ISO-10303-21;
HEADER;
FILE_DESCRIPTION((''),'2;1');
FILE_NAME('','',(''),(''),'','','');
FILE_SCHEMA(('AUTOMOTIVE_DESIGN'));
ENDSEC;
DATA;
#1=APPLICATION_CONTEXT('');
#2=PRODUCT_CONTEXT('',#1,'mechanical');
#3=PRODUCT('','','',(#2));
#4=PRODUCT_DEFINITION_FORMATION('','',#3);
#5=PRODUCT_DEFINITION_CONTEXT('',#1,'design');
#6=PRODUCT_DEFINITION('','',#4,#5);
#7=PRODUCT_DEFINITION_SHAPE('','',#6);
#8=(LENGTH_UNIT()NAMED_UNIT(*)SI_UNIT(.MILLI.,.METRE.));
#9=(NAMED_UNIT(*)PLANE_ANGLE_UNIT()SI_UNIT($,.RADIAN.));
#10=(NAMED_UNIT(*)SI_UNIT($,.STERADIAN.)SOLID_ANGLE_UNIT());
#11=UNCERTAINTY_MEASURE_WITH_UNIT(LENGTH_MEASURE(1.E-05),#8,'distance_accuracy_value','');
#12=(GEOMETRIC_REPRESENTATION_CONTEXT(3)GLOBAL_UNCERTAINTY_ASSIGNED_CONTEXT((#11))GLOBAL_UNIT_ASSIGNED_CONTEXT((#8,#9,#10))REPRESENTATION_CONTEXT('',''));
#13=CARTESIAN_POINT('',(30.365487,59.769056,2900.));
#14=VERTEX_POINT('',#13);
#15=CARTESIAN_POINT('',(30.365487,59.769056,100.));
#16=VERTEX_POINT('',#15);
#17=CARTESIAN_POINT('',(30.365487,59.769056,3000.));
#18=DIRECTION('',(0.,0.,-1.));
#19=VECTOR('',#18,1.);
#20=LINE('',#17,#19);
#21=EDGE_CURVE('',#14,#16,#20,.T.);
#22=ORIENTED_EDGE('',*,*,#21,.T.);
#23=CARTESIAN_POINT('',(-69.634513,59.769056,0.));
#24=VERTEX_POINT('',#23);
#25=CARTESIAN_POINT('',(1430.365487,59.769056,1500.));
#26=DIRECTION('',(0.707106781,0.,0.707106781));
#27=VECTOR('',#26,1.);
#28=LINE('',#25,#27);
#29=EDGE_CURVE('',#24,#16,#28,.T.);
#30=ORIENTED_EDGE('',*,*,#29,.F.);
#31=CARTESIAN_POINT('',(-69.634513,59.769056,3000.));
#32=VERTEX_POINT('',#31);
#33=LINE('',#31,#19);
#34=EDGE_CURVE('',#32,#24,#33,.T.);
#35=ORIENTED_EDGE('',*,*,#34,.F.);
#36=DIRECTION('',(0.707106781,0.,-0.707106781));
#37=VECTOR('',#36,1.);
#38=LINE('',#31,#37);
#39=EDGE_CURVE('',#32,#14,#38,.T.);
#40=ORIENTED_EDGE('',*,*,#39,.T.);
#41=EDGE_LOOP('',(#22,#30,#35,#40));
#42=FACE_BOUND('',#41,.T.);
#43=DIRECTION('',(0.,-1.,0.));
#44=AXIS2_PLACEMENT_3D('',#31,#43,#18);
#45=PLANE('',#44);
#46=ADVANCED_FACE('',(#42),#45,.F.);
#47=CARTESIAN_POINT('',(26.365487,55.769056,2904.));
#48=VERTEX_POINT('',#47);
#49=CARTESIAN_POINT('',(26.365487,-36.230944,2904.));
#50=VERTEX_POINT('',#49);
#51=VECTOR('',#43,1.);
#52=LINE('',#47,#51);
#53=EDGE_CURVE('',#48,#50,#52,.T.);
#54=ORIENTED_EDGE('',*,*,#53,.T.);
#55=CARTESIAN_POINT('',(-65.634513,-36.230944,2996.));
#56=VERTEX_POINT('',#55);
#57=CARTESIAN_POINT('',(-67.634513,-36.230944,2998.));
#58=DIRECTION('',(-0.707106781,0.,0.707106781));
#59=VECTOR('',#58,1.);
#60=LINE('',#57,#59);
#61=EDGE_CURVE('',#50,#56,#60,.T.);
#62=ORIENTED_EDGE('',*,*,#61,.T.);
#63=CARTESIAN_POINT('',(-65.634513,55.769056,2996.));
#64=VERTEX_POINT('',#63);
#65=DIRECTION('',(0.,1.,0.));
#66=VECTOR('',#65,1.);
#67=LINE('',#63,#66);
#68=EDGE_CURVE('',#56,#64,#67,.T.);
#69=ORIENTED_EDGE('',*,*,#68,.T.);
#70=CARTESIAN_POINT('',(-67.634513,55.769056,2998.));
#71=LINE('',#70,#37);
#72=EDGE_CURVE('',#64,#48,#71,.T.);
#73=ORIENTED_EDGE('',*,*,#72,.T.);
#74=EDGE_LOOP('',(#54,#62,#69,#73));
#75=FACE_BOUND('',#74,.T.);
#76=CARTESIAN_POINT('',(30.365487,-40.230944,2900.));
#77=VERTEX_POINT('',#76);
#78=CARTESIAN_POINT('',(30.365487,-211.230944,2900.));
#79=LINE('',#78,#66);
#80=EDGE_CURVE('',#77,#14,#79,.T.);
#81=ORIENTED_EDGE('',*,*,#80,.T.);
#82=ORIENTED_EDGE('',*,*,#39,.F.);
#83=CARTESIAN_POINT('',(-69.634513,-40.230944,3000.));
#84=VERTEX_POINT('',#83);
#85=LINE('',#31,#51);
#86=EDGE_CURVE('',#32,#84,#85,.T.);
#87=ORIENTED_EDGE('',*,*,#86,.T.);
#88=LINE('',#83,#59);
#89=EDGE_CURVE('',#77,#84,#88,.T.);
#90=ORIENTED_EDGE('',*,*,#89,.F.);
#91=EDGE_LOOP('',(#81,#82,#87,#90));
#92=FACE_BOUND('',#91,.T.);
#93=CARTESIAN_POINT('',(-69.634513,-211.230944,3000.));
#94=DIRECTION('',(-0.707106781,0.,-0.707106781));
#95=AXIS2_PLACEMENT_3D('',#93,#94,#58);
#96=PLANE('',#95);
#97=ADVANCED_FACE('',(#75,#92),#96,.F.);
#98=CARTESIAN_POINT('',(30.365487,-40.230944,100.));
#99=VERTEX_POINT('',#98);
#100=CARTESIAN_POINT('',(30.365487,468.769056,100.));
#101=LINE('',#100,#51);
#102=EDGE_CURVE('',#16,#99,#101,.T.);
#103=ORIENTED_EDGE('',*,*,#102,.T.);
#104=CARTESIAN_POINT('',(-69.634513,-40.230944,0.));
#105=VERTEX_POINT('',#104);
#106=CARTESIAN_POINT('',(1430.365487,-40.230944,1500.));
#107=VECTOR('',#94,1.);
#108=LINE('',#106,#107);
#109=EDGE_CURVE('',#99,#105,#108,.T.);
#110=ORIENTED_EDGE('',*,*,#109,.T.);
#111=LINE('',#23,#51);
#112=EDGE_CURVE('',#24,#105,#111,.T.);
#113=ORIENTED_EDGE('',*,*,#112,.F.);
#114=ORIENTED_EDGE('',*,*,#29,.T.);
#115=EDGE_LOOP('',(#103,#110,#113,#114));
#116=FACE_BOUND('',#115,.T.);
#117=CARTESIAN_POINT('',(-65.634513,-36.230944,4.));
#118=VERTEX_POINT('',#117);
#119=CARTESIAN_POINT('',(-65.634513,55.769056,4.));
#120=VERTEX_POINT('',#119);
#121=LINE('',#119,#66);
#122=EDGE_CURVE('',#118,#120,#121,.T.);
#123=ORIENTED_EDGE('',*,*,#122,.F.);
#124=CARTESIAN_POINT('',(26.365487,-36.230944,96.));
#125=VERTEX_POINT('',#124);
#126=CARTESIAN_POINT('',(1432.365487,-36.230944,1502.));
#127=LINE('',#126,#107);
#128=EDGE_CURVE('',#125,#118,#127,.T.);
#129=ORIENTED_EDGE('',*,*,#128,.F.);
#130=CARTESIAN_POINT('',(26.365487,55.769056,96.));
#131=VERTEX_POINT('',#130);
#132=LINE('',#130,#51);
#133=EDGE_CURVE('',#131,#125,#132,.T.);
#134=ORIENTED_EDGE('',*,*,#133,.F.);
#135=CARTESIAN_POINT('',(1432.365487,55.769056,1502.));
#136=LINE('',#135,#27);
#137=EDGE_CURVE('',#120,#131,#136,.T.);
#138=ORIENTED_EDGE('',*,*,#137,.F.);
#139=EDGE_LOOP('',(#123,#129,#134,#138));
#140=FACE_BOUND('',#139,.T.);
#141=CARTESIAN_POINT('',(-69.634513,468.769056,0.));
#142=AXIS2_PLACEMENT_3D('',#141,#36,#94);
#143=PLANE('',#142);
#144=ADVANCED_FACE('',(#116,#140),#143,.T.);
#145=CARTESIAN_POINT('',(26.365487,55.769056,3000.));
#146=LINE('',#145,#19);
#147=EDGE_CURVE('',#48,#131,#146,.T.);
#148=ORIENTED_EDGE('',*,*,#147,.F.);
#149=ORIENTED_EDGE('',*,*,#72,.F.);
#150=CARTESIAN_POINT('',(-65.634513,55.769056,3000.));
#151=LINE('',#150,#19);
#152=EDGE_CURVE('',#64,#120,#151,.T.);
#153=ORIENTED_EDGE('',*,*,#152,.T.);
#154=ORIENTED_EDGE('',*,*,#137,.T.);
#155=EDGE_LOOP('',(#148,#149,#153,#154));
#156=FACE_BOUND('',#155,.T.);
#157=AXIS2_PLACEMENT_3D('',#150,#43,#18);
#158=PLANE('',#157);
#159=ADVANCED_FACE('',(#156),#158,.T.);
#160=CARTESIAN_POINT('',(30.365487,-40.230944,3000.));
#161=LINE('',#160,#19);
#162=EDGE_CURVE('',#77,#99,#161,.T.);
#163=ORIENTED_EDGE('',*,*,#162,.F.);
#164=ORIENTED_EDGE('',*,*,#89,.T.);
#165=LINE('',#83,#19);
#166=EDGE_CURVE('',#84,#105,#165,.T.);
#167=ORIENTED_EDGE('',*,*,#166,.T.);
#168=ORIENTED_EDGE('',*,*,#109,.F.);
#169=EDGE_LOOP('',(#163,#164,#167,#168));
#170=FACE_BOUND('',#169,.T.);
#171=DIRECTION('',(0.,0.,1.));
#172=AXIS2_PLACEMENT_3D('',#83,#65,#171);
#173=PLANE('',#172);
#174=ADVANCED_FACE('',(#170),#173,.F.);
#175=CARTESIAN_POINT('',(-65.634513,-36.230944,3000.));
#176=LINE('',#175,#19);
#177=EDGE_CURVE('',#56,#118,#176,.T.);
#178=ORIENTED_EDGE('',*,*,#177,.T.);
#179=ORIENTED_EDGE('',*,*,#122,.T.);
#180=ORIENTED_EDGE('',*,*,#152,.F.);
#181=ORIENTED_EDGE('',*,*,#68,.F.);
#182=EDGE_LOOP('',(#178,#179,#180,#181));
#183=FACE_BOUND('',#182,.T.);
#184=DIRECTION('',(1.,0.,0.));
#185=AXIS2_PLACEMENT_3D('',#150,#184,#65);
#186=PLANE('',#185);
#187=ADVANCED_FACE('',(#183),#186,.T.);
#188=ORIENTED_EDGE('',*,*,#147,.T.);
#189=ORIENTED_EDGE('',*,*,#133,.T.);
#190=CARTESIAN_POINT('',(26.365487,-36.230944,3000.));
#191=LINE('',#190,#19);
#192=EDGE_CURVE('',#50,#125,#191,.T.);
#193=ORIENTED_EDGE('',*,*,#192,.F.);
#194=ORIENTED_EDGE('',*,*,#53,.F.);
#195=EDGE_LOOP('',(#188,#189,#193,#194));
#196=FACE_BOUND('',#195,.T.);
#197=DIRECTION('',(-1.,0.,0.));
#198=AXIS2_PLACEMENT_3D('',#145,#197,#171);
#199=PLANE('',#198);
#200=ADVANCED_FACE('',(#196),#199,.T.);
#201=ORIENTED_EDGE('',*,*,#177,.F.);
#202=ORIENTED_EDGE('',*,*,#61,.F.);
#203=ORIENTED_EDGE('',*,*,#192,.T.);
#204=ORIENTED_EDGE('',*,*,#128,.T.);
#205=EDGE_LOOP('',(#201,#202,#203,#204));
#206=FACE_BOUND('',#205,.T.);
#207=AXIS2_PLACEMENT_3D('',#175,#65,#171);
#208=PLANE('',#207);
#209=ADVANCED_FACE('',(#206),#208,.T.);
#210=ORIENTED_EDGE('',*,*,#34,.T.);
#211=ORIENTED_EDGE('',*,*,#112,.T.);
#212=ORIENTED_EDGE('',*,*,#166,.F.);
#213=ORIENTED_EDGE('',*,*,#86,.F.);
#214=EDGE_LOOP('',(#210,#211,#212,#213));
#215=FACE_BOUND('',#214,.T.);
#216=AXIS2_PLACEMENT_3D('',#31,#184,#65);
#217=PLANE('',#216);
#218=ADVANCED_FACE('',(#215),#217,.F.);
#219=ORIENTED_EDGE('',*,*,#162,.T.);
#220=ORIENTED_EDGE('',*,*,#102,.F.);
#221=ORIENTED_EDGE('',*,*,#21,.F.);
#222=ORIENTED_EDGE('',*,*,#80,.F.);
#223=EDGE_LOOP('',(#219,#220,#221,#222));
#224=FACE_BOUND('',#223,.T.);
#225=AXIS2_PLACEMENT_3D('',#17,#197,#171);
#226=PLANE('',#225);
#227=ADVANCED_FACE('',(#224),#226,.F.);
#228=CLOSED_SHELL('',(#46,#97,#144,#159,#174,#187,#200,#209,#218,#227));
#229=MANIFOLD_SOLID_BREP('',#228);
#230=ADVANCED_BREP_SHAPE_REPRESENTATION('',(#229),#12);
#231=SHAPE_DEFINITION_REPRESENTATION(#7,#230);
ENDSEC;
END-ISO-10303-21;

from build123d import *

# Parameters (mm, degrees)
CROQUIS1_W                 = 100
CROQUIS1_H                 = 100
CROQUIS1_W_2               = 92
CROQUIS1_H_2               = 92
SALIENTE_EXTRUIR3_DEPTH    = 3000
CORTAR_EXTRUIR1_DEPTH      = 409
CORTAR_EXTRUIR1_DEPTH_BACK = 390
CORTAR_EXTRUIR2_DEPTH      = 232
CORTAR_EXTRUIR2_DEPTH_BACK = 271


with BuildPart() as part:
    # Croquis1 → Saliente-Extruir3 (new body)
    with BuildSketch(Plane.XY):
        with Locations((-19.634513149, 9.769055649)):
            Rectangle(CROQUIS1_W, CROQUIS1_H)
        with Locations((-19.634513149, 9.769055649)):
            Rectangle(CROQUIS1_W_2, CROQUIS1_H_2, mode=Mode.SUBTRACT)
    extrude(amount=SALIENTE_EXTRUIR3_DEPTH)

    # Croquis2 → Cortar-Extruir1 (cut, two sides: drawn at the far end of the back side and taken through both)
    with BuildSketch(Plane(origin=(0, 59.769055649, 0), x_dir=(1, 0, 0), z_dir=(0, 1, 0)).offset(-CORTAR_EXTRUIR1_DEPTH_BACK)):
        Polygon((-69.634513149, 0), (30.365486851, -100), (30.365486851, 0), align=None)
    extrude(amount=CORTAR_EXTRUIR1_DEPTH + CORTAR_EXTRUIR1_DEPTH_BACK, mode=Mode.SUBTRACT)

    # Croquis3 → Cortar-Extruir2 (cut, two sides: drawn at the far end of the back side and taken through both)
    with BuildSketch(Plane(origin=(0, 59.769055649, 0), x_dir=(1, 0, 0), z_dir=(0, 1, 0)).offset(-CORTAR_EXTRUIR2_DEPTH_BACK)):
        Polygon((-69.634513149, -3000), (30.365486851, -2900), (30.365486851, -3000), align=None)
    extrude(amount=CORTAR_EXTRUIR2_DEPTH + CORTAR_EXTRUIR2_DEPTH_BACK, mode=Mode.SUBTRACT)


solid = part.part
